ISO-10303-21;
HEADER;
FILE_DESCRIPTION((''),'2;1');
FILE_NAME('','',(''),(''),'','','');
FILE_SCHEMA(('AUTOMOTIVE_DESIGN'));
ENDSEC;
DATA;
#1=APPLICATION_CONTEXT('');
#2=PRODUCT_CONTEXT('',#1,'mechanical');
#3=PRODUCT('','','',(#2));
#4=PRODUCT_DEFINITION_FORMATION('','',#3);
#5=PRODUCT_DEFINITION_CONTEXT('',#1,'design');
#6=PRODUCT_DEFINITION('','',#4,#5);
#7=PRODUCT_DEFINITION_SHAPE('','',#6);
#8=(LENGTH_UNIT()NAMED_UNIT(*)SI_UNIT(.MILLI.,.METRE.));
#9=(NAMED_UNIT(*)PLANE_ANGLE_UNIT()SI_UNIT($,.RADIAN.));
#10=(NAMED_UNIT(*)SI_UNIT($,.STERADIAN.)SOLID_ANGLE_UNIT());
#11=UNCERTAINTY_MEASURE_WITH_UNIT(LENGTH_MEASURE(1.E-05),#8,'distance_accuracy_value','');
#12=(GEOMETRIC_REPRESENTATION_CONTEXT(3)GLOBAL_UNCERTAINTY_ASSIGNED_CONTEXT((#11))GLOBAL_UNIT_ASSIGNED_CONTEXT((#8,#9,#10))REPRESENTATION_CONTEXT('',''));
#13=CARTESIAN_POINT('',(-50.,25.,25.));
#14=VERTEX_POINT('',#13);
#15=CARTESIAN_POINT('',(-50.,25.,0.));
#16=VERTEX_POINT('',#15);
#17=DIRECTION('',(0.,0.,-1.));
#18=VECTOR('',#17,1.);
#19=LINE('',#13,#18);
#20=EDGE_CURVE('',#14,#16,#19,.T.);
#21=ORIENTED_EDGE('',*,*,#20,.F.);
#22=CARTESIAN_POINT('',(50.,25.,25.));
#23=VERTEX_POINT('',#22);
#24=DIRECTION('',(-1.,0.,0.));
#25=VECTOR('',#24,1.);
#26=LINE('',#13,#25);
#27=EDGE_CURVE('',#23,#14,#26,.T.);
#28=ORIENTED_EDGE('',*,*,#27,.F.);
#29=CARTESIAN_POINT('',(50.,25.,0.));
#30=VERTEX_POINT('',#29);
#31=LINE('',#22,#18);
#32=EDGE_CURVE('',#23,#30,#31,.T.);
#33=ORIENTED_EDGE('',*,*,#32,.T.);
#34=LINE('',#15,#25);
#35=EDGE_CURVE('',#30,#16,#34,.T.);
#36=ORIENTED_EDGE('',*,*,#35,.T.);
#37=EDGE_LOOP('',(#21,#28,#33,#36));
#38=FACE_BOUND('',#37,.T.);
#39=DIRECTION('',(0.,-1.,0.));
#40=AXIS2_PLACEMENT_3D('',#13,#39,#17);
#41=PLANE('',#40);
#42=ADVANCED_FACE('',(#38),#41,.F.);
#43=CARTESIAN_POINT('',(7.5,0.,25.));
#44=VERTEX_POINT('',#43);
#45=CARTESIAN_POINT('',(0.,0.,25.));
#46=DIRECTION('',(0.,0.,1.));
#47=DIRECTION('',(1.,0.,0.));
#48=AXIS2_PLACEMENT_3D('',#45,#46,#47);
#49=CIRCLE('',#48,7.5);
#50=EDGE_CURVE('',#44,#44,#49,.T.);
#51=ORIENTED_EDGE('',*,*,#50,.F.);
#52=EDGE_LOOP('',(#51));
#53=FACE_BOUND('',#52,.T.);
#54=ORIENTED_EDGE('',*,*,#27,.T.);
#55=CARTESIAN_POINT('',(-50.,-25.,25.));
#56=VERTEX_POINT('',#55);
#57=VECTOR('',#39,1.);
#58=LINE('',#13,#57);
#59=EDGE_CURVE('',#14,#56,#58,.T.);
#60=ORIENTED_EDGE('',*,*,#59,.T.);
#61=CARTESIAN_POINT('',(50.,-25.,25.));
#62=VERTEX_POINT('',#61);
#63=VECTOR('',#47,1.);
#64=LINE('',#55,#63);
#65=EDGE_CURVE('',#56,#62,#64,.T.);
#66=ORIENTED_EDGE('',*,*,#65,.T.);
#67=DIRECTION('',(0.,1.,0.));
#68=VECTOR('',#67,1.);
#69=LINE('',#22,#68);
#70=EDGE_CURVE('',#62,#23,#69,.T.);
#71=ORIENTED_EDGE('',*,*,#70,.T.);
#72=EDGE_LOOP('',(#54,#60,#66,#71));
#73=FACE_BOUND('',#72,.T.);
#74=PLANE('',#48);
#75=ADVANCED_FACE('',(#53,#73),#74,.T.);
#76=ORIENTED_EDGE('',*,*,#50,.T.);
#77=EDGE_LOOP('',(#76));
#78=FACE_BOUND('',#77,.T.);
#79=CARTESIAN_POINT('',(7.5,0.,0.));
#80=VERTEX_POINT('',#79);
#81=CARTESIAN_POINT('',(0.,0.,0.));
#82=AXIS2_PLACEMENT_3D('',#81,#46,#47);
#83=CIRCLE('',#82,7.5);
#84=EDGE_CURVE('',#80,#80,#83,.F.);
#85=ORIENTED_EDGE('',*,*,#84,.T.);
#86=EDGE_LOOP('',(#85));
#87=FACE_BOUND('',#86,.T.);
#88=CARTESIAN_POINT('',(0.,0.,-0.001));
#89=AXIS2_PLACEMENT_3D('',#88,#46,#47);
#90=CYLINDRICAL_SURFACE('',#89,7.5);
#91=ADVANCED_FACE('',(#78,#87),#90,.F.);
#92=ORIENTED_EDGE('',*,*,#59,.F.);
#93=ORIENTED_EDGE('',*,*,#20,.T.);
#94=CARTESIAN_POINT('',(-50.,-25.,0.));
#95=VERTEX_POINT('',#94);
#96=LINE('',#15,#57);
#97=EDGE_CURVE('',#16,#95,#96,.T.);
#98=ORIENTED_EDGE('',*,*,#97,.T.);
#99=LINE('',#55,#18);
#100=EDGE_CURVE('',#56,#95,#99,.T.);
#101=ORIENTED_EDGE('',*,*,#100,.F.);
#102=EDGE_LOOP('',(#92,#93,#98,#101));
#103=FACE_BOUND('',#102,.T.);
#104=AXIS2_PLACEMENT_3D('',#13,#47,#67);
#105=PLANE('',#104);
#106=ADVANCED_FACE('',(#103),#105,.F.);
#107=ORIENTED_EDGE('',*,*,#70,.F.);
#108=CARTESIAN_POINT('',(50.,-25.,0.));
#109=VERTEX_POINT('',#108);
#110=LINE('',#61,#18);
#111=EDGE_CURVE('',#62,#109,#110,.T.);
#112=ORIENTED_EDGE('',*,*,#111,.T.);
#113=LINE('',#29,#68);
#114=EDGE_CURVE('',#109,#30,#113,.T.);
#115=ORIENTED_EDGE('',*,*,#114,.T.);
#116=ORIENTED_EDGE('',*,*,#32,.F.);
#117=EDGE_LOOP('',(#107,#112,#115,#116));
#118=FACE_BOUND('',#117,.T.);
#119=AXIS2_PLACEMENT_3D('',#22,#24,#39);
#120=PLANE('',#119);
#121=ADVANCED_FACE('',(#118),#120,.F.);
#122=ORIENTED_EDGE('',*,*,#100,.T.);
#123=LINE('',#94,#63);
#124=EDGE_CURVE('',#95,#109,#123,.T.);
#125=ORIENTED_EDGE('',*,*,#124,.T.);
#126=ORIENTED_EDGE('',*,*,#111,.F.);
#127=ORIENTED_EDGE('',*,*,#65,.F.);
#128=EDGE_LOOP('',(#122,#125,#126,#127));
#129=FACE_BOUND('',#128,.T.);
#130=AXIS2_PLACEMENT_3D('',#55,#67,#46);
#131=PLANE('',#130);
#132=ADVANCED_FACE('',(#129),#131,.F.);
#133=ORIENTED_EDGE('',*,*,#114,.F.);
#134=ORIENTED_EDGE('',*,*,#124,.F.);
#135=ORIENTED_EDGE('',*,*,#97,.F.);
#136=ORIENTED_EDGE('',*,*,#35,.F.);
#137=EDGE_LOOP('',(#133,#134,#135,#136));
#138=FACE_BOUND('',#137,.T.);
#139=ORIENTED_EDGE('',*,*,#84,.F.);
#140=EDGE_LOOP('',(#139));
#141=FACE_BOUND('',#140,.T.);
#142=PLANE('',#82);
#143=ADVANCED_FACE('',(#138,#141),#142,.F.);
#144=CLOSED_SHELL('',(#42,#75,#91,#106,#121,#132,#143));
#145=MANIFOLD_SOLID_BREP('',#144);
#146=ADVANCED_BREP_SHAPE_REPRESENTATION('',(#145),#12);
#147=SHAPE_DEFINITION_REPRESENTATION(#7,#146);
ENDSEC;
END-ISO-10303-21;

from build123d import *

# Parameters (mm, degrees)
SKICA1_W                 = 100
SKICA1_H                 = 50
P_IDAT_VYSUNUT_M1_DEPTH  = 25
ODEBRAT_VYSUNUT_M1_REACH = 27
SKICA2_R                 = 7.5


with BuildPart() as part:
    # Skica1 → Přidat vysunutím1 (new body)
    with BuildSketch(Plane.XY):
        Rectangle(SKICA1_W, SKICA1_H)
    extrude(amount=P_IDAT_VYSUNUT_M1_DEPTH)

    # Skica2 → Odebrat vysunutím1 (cut, up to next)
    with BuildSketch(Plane.XY.offset(25), mode=Mode.PRIVATE) as odebrat_vysunut_m1_sk1:
        Circle(SKICA2_R)
    odebrat_vysunut_m1_tool1 = extrude(odebrat_vysunut_m1_sk1.sketch, amount=-ODEBRAT_VYSUNUT_M1_REACH, mode=Mode.PRIVATE) & part.part
    add(odebrat_vysunut_m1_tool1.solids().sort_by_distance((0, 0, 25))[0], mode=Mode.SUBTRACT)


solid = part.part
